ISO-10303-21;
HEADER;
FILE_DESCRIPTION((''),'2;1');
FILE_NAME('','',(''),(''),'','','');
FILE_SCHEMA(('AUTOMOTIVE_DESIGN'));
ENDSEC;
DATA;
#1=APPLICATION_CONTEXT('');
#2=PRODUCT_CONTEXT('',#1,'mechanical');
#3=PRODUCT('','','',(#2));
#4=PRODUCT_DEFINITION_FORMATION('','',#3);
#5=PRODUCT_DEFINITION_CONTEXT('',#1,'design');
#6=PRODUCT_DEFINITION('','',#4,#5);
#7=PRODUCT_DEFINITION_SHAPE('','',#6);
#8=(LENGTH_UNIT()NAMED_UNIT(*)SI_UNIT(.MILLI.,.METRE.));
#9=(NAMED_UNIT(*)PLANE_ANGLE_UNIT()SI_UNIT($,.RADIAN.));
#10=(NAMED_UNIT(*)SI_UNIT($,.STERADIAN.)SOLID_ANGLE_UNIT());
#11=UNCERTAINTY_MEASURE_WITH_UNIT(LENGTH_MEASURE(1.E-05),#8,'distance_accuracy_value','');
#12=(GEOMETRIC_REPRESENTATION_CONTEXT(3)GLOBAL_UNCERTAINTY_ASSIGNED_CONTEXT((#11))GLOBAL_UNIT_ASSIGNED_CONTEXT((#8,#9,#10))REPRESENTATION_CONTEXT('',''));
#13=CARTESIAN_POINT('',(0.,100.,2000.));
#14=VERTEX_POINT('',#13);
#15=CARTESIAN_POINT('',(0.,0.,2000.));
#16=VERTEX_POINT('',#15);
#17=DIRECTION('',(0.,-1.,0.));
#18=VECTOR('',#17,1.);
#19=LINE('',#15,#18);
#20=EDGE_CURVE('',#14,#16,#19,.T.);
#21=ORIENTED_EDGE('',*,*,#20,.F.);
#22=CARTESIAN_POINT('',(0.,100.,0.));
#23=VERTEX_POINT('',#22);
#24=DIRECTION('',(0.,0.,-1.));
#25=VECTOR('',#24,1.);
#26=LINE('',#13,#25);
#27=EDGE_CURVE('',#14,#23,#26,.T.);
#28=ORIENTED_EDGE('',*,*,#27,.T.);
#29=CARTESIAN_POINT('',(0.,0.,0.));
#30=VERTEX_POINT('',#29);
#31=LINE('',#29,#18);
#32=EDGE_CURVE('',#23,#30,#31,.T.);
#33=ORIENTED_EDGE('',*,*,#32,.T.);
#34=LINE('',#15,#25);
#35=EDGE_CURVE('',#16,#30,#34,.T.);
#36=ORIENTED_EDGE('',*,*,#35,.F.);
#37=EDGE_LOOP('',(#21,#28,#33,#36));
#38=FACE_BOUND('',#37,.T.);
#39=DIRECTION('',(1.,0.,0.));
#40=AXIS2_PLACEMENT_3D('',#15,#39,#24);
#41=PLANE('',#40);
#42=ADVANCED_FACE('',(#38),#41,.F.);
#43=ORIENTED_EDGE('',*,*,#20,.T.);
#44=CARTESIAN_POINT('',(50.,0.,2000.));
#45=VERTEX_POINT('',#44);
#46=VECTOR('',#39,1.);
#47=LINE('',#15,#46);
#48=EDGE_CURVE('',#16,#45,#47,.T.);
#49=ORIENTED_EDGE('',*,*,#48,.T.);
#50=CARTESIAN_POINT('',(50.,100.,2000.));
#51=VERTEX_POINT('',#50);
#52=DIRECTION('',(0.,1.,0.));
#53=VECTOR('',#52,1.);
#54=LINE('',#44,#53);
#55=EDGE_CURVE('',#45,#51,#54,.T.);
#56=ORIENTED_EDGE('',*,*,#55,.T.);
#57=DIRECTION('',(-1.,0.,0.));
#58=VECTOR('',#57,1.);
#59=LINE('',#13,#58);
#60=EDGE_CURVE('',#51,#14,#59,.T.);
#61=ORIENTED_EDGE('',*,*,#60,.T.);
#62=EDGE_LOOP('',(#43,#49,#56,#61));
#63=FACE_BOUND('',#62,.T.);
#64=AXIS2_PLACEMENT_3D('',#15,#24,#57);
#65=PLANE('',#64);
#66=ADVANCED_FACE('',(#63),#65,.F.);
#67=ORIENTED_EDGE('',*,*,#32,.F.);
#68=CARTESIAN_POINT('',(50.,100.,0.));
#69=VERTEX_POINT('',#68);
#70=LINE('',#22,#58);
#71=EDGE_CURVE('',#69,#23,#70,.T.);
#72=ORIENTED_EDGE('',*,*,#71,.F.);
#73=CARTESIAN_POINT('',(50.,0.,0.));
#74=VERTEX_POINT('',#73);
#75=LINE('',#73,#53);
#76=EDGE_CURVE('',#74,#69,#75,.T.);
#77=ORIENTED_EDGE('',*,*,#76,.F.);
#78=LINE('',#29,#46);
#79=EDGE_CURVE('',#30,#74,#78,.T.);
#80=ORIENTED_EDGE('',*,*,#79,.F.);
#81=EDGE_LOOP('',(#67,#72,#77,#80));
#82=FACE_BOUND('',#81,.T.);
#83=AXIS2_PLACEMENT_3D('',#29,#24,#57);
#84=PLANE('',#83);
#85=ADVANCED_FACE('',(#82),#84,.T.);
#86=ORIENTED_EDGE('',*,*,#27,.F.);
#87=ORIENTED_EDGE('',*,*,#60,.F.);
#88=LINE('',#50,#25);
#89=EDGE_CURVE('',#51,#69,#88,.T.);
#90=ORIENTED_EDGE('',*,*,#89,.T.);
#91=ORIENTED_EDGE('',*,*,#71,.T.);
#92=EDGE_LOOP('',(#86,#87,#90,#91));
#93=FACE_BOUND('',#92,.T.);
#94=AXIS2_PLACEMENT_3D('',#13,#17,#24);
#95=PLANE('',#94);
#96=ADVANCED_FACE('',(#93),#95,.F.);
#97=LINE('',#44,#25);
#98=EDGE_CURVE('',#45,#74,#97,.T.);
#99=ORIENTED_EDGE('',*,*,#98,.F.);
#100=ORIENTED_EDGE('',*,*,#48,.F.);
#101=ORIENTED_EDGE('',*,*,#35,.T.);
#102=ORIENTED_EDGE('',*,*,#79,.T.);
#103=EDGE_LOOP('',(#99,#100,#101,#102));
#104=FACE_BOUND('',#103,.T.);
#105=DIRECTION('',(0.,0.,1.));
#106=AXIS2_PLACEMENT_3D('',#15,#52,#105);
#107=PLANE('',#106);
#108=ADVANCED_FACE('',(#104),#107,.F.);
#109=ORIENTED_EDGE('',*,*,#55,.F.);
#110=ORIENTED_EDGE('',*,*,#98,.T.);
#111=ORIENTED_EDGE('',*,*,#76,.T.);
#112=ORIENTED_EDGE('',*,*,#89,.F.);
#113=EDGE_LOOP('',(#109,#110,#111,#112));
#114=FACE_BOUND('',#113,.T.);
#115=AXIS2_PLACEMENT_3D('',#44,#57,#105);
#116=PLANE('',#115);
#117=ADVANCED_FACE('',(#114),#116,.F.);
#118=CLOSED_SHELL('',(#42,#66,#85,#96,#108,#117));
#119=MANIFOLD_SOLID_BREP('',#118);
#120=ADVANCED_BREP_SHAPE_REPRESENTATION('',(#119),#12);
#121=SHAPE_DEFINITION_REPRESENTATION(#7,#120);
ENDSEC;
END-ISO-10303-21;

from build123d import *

# Parameters (mm, degrees)
ESQUISSE1_W        = 50
ESQUISSE1_H        = 100
BOSS_EXTRU_1_DEPTH = 2000


with BuildPart() as part:
    # Esquisse1 → Boss.-Extru.1 (new body)
    with BuildSketch(Plane.XY):
        with Locations((25, 50)):
            Rectangle(ESQUISSE1_W, ESQUISSE1_H)
    extrude(amount=BOSS_EXTRU_1_DEPTH)


solid = part.part
